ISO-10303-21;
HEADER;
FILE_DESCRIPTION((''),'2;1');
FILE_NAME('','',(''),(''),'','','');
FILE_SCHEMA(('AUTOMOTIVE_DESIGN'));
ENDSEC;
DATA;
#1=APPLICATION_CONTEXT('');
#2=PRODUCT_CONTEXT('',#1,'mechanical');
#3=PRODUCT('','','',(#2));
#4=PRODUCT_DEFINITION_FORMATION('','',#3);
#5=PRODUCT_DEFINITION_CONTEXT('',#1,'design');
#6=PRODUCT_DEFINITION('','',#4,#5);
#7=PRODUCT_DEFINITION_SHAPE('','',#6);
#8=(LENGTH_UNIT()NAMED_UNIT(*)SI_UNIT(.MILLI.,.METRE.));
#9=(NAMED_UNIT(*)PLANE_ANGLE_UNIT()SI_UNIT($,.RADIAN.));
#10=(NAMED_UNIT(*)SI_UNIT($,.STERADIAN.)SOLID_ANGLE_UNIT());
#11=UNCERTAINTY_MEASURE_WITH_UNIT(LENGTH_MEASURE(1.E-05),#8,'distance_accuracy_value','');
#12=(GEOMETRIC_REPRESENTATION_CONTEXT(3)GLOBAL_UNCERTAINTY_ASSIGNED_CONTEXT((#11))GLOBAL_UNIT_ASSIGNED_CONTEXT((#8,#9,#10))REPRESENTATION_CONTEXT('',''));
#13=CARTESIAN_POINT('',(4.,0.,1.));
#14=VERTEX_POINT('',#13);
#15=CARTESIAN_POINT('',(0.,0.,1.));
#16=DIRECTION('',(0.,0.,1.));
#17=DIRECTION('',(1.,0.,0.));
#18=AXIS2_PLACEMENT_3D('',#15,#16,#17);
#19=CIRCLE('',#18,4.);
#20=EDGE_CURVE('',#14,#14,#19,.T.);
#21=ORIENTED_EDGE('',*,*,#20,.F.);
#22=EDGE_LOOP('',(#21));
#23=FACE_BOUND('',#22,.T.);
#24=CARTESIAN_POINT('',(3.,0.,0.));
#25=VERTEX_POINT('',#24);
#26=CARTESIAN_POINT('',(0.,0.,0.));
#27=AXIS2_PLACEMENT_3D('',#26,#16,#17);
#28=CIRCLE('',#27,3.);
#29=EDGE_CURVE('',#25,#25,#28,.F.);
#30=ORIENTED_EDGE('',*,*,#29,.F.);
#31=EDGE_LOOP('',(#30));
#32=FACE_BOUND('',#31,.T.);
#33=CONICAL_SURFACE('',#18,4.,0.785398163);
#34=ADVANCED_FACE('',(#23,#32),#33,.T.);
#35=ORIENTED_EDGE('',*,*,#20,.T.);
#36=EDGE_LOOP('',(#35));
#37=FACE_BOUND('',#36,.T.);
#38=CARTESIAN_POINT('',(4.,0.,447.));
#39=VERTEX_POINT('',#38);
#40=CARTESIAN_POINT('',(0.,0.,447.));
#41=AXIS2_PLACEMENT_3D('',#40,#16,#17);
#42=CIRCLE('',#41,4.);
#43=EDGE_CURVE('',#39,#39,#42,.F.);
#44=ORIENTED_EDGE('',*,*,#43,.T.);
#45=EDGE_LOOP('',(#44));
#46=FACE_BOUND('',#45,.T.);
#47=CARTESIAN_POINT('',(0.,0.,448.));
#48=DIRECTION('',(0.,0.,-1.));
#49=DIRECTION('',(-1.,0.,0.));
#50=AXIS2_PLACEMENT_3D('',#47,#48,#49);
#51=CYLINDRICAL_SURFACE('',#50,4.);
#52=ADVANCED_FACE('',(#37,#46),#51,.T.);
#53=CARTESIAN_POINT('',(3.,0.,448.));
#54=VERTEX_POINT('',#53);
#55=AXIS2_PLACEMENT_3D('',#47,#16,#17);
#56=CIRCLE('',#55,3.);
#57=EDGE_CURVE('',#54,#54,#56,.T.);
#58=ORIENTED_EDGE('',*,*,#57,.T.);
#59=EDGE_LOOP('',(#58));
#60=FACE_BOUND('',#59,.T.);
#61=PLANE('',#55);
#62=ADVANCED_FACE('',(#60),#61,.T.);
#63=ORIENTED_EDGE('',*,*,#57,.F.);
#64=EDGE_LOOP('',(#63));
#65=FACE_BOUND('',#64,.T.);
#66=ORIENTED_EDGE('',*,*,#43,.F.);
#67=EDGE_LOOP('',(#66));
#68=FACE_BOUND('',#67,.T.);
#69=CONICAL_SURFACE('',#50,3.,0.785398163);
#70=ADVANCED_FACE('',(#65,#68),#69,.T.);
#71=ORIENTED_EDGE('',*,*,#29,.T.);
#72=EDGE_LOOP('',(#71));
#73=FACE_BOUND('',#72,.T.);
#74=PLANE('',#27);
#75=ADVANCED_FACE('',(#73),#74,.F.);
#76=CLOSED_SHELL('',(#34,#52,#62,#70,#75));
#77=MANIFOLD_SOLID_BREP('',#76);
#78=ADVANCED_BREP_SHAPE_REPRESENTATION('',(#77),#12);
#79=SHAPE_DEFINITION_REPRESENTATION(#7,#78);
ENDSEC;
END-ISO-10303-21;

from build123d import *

# Parameters (mm, degrees)
SCHIZZO1_R                   = 4
ESTRUSIONE_ESTRUSIONE1_DEPTH = 448
SMUSSO1_SIZE                 = 1


with BuildPart() as part:
    # Schizzo1 → Estrusione-Estrusione1 (new body)
    with BuildSketch(Plane.XY):
        Circle(SCHIZZO1_R)
    extrude(amount=ESTRUSIONE_ESTRUSIONE1_DEPTH)

    # Smusso1
    smusso1_edges = [part.edges().sort_by_distance(p)[0] for p in [
        (-4, 0, 0),
        (-4, 0, 448),
    ]]
    chamfer(smusso1_edges, length=SMUSSO1_SIZE)


solid = part.part
